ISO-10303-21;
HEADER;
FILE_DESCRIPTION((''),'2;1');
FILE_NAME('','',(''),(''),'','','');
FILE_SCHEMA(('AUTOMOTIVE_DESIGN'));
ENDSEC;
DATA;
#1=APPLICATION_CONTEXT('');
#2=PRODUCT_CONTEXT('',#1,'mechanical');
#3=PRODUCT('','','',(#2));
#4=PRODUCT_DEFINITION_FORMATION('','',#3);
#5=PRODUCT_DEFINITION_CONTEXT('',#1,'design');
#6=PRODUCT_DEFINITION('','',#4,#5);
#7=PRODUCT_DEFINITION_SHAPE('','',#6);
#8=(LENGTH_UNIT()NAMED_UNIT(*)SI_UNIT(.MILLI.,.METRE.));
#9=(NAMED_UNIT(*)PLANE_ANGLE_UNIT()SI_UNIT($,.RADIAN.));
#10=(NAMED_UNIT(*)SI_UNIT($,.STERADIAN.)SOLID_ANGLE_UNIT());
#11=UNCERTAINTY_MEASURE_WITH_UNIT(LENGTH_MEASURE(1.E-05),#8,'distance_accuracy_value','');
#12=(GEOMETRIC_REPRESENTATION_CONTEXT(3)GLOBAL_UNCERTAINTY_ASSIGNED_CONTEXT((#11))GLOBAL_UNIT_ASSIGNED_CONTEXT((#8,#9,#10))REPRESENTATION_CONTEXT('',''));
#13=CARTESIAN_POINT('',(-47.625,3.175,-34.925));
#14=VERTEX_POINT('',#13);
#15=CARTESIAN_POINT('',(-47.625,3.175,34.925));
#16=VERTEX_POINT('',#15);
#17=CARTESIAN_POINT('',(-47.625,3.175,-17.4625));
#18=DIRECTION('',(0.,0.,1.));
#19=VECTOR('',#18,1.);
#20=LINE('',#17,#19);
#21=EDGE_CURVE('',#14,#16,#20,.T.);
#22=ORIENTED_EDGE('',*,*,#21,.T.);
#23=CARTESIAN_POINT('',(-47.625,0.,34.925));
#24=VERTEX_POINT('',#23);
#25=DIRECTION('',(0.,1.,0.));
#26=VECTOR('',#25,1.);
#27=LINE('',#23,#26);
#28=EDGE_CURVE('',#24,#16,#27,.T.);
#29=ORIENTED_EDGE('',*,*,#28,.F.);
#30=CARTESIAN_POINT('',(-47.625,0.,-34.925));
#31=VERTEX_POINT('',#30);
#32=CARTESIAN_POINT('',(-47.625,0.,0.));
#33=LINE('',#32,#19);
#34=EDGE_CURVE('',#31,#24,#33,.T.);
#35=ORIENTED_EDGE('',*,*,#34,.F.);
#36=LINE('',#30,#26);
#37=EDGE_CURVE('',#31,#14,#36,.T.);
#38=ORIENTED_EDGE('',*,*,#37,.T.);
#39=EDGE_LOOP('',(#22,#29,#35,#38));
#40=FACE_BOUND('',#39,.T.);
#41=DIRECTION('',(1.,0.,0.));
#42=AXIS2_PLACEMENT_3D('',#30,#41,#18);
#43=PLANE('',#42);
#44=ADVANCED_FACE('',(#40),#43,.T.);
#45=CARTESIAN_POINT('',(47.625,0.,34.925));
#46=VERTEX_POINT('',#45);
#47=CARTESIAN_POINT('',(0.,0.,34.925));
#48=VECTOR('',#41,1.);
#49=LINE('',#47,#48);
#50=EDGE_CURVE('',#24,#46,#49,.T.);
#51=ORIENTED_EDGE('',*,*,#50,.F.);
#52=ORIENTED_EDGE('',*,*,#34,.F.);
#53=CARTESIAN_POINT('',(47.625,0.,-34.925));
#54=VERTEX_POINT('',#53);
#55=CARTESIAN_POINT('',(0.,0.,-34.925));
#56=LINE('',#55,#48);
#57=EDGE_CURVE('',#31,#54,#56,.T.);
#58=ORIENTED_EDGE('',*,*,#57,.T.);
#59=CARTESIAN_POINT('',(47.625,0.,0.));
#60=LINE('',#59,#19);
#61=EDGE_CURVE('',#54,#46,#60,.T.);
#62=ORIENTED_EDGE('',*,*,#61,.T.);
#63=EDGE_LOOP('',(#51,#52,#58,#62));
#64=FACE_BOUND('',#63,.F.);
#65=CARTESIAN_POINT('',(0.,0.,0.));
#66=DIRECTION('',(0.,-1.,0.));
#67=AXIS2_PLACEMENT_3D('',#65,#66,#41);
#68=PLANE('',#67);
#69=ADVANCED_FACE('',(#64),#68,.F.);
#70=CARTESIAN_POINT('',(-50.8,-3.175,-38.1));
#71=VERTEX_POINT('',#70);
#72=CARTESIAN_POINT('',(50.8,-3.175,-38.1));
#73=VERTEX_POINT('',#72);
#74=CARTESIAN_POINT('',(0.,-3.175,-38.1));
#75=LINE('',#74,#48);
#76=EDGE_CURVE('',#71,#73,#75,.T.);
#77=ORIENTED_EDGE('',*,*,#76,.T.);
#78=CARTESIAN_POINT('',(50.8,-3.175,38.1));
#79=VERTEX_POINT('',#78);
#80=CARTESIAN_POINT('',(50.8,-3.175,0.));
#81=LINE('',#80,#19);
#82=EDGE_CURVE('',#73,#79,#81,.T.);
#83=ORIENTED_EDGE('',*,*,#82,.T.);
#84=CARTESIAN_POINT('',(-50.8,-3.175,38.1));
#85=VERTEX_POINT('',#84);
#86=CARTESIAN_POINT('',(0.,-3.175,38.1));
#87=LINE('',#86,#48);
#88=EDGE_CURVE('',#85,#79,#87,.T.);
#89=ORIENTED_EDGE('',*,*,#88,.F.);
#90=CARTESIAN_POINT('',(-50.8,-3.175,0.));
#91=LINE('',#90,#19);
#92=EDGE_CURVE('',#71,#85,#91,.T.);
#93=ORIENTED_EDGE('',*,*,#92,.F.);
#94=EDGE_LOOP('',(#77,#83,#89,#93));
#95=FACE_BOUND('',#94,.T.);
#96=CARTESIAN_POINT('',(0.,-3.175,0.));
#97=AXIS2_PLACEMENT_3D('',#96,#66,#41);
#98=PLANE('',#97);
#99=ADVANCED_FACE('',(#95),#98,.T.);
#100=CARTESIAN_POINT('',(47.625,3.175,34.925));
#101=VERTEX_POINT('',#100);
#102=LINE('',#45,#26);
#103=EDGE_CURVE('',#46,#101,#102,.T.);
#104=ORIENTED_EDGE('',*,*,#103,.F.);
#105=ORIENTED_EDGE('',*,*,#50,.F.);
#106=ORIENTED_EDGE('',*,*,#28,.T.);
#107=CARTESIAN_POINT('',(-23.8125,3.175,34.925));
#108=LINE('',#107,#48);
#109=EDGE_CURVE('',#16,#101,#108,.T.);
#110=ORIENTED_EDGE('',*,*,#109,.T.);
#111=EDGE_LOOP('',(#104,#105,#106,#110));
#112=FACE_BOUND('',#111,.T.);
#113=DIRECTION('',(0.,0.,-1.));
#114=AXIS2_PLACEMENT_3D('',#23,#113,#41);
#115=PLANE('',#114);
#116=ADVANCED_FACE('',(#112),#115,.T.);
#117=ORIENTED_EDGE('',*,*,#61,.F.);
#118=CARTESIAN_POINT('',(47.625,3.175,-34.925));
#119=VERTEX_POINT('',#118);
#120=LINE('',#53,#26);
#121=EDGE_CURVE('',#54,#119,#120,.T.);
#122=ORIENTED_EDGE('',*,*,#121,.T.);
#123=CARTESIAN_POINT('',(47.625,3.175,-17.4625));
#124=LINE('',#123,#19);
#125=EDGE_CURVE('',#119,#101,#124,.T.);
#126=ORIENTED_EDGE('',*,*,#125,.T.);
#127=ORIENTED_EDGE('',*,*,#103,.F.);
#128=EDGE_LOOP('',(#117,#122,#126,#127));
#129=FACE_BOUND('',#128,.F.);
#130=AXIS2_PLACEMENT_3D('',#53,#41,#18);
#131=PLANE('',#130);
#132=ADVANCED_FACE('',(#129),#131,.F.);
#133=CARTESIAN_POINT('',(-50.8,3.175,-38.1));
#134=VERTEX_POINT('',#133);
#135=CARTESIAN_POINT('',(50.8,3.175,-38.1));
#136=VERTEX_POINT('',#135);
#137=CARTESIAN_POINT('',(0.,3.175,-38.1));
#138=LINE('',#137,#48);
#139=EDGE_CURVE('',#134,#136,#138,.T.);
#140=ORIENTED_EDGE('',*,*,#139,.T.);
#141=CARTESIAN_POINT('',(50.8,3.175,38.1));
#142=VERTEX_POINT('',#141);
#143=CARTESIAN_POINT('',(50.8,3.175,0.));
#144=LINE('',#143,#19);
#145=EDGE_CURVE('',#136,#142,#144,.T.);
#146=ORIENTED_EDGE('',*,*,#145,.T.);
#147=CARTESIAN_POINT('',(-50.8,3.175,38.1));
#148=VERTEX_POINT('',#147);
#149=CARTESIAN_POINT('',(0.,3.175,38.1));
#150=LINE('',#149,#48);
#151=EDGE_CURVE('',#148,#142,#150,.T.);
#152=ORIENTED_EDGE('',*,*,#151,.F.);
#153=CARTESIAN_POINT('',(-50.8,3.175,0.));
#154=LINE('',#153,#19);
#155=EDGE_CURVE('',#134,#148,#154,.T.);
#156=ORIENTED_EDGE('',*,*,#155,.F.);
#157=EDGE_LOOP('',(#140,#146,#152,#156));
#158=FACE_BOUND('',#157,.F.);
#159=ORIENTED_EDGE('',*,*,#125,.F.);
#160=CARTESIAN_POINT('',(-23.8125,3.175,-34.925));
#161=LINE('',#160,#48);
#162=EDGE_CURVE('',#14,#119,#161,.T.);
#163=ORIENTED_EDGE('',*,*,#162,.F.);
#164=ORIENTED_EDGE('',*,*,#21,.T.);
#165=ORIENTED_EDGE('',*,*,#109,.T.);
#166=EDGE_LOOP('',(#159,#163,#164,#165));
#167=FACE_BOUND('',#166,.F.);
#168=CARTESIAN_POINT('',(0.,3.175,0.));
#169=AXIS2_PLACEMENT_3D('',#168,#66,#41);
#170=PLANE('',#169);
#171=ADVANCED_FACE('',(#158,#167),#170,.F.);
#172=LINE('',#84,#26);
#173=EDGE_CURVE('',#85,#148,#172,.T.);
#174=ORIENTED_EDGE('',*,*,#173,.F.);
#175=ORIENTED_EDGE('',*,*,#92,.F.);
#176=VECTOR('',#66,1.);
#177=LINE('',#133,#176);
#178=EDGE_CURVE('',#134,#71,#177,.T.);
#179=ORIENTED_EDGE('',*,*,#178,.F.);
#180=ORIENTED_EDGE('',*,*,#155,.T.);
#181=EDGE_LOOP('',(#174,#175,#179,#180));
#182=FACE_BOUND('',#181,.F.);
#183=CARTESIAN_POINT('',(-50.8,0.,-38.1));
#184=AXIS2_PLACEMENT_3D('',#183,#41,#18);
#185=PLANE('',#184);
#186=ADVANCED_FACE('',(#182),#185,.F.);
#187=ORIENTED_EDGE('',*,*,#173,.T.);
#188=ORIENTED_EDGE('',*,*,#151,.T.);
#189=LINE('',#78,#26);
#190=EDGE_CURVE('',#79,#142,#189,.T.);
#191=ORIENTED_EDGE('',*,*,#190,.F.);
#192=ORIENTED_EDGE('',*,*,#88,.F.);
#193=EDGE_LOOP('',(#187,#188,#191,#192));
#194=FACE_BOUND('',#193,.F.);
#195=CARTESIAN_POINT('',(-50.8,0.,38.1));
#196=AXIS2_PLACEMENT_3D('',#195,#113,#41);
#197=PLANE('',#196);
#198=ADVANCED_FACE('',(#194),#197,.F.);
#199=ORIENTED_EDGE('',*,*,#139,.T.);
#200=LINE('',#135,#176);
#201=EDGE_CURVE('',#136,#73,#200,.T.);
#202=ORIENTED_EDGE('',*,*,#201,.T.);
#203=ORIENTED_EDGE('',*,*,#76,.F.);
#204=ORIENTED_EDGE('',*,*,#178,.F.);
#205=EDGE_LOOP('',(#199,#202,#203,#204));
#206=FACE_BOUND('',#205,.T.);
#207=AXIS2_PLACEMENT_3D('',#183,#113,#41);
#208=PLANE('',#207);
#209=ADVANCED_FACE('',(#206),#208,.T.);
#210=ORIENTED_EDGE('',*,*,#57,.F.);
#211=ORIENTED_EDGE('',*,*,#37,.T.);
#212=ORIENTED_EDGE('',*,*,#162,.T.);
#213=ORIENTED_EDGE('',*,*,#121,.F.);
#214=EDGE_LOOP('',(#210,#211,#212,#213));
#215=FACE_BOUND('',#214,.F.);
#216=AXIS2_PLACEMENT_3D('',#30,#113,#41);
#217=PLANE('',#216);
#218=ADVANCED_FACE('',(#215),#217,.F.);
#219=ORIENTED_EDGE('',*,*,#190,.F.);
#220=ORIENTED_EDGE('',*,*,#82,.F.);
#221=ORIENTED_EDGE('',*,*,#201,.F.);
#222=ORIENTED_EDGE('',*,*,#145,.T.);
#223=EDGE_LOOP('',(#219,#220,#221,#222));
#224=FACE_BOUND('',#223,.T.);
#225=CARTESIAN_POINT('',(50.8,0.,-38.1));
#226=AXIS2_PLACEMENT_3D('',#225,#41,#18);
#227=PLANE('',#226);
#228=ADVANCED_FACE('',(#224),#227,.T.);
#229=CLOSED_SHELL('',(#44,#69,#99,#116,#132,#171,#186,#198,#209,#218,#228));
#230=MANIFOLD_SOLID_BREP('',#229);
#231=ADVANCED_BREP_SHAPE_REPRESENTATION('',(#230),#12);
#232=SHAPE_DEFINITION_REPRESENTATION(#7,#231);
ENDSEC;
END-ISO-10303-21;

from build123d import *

# Parameters (mm, degrees)
F0_W     = 101.6
F0_H     = 76.2
F2_DEPTH = 3.175
F1_W     = 95.25
F1_H     = 69.85
F3_DEPTH = 112.522


with BuildPart() as f2:
    # F0 (on Front) → F2 (new body, symmetric)
    with BuildSketch(Plane.XZ):
        Rectangle(F0_W, F0_H)
    extrude(amount=F2_DEPTH, both=True)

    # F1 (on Front) → F3 (cut)
    with BuildSketch(Plane.XZ):
        Rectangle(F1_W, F1_H)
    extrude(amount=-F3_DEPTH, mode=Mode.SUBTRACT)


solid = f2.part
